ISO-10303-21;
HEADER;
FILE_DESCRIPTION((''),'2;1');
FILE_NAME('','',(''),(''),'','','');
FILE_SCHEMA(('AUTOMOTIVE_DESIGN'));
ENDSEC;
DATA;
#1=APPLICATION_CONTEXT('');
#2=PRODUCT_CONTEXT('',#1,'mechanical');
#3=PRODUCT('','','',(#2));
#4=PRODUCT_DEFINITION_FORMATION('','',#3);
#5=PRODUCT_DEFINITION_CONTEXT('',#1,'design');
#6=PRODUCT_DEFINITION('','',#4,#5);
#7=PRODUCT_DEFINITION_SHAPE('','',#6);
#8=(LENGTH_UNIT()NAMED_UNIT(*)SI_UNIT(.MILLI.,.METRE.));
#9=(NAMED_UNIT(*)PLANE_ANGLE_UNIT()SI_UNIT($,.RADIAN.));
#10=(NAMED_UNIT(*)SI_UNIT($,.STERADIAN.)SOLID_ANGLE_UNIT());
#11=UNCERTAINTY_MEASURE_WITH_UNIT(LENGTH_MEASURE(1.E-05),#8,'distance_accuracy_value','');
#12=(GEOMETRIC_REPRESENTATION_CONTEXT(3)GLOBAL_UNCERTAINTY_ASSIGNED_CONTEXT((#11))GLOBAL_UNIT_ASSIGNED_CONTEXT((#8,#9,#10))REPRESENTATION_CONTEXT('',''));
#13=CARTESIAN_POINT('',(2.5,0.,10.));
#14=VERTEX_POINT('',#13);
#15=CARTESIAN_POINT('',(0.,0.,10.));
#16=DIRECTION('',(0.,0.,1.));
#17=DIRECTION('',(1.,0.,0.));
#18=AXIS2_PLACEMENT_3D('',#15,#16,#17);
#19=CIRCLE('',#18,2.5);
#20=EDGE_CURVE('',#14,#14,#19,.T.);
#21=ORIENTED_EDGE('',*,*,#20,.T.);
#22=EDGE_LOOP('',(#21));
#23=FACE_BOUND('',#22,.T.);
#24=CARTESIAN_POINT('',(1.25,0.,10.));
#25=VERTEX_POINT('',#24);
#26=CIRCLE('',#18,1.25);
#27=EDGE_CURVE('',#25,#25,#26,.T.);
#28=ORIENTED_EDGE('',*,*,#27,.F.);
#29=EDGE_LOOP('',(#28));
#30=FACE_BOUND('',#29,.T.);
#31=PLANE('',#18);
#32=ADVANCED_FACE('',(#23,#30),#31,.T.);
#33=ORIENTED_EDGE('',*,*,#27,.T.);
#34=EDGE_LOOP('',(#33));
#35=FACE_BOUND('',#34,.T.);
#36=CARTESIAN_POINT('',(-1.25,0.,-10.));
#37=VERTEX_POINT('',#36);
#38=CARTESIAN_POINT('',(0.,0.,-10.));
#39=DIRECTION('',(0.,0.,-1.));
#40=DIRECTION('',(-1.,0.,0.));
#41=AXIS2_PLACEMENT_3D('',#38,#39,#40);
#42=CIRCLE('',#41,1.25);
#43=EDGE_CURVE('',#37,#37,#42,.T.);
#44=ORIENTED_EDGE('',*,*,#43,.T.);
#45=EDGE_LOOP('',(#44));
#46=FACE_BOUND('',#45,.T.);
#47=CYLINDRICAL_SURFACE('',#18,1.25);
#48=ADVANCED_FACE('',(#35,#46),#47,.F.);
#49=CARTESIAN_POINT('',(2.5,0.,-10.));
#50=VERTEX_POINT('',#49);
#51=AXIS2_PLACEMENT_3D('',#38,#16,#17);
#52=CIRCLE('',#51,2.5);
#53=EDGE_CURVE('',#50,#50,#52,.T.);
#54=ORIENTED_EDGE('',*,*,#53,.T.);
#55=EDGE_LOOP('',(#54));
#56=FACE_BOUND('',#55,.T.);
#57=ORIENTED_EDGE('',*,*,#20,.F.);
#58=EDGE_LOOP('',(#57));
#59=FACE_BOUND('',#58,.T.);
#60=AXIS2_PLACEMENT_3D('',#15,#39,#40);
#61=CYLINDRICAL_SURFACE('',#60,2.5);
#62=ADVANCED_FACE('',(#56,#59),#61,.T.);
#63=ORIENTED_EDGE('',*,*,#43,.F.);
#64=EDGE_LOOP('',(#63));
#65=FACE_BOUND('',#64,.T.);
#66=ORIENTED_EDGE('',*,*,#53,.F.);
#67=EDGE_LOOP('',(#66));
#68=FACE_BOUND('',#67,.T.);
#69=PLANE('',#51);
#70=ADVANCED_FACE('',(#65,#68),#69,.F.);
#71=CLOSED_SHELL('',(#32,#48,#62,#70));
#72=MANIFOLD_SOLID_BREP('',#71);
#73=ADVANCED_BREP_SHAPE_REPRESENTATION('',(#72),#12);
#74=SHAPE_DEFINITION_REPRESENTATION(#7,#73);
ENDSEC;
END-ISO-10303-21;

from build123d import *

# Parameters (mm, degrees)
SKETCH1_R                 = 2.5
BOSS_EXTRUDE1_DEPTH       = 10
M3X0_5_TAPPED_HOLE1_D     = 2.5
M3X0_5_TAPPED_HOLE1_DEPTH = 10


with BuildPart() as part:
    # Sketch1 → Boss-Extrude1 (new, symmetric)
    with BuildSketch(Plane.XY):
        Circle(SKETCH1_R)
    extrude(amount=BOSS_EXTRUDE1_DEPTH, both=True)

    # M3x0.5 Tapped Hole1
    with Locations(Plane.XY.offset(10)):
        with Locations((0, 0)):
            m3x0_5_tapped_hole1 = Hole(M3X0_5_TAPPED_HOLE1_D / 2, depth=M3X0_5_TAPPED_HOLE1_DEPTH)

    # Mirror1: M3x0.5 Tapped Hole1 across plane
    add(m3x0_5_tapped_hole1.mirror(Plane.XY), mode=Mode.SUBTRACT)


solid = part.part
